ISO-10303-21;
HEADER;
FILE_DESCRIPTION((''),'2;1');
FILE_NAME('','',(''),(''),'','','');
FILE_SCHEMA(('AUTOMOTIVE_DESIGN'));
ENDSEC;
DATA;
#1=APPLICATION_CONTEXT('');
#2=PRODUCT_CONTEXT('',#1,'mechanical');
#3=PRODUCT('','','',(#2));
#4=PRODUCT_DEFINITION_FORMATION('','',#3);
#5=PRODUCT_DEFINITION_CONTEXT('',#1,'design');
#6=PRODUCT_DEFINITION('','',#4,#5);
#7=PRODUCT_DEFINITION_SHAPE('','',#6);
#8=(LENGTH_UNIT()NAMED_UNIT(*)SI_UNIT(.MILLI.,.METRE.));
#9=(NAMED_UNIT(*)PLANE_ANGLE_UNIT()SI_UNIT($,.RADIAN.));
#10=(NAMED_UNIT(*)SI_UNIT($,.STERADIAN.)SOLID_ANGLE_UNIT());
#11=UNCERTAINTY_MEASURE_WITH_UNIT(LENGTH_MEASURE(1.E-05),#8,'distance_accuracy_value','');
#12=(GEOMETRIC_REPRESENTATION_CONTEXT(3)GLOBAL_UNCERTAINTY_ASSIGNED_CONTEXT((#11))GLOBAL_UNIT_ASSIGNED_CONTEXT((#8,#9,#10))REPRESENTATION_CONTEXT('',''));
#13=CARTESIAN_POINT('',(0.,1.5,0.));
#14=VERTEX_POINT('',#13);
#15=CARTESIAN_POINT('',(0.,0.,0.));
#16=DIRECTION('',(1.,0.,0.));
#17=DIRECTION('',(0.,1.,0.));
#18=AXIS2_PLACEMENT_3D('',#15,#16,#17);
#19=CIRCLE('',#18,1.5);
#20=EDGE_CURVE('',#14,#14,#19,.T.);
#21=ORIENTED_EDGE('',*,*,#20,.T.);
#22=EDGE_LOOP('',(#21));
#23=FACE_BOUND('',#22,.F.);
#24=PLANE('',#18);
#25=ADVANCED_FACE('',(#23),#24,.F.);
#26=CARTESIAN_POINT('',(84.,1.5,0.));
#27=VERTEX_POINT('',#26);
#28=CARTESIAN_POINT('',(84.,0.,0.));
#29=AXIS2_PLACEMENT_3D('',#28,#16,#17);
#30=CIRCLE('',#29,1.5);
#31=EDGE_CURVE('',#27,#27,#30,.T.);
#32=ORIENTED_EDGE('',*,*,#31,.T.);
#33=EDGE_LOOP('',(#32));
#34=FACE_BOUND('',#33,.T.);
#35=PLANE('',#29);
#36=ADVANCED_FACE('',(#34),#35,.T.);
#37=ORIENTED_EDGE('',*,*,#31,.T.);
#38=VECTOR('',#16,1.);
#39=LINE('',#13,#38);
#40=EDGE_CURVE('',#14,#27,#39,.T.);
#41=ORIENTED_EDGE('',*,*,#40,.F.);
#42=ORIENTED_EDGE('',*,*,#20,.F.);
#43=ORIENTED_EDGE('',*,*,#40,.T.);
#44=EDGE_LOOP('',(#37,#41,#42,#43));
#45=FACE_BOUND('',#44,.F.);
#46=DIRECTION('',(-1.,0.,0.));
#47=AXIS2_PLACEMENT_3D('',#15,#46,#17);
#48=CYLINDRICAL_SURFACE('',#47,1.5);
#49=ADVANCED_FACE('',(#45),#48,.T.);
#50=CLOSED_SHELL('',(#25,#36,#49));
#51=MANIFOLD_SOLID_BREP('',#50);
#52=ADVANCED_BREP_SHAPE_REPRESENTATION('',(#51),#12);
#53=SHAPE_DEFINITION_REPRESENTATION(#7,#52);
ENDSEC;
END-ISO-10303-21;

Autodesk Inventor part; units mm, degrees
ref_plane "YZ Plane" through (0, 0, 0) normal (1, 0, 0) x (0, 1, 0)
ref_plane "XZ Plane" through (0, 0, 0) normal (0, 1, 0) x (-1, 0, 0)
ref_plane "XY Plane" through (0, 0, 0) normal (0, 0, 1) x (1, 0, 0)
sketch "Sketch1" plane through (0, 0, 0) normal (1, 0, 0) x (0, 1, 0)
  circle A0 centre (0, 0) radius 1.5
  dimension "d0" = 3
extrude "Extrusion1" add sketch "Sketch1" along normal blind 84
properties part number "Shpilka" material "Steel"
